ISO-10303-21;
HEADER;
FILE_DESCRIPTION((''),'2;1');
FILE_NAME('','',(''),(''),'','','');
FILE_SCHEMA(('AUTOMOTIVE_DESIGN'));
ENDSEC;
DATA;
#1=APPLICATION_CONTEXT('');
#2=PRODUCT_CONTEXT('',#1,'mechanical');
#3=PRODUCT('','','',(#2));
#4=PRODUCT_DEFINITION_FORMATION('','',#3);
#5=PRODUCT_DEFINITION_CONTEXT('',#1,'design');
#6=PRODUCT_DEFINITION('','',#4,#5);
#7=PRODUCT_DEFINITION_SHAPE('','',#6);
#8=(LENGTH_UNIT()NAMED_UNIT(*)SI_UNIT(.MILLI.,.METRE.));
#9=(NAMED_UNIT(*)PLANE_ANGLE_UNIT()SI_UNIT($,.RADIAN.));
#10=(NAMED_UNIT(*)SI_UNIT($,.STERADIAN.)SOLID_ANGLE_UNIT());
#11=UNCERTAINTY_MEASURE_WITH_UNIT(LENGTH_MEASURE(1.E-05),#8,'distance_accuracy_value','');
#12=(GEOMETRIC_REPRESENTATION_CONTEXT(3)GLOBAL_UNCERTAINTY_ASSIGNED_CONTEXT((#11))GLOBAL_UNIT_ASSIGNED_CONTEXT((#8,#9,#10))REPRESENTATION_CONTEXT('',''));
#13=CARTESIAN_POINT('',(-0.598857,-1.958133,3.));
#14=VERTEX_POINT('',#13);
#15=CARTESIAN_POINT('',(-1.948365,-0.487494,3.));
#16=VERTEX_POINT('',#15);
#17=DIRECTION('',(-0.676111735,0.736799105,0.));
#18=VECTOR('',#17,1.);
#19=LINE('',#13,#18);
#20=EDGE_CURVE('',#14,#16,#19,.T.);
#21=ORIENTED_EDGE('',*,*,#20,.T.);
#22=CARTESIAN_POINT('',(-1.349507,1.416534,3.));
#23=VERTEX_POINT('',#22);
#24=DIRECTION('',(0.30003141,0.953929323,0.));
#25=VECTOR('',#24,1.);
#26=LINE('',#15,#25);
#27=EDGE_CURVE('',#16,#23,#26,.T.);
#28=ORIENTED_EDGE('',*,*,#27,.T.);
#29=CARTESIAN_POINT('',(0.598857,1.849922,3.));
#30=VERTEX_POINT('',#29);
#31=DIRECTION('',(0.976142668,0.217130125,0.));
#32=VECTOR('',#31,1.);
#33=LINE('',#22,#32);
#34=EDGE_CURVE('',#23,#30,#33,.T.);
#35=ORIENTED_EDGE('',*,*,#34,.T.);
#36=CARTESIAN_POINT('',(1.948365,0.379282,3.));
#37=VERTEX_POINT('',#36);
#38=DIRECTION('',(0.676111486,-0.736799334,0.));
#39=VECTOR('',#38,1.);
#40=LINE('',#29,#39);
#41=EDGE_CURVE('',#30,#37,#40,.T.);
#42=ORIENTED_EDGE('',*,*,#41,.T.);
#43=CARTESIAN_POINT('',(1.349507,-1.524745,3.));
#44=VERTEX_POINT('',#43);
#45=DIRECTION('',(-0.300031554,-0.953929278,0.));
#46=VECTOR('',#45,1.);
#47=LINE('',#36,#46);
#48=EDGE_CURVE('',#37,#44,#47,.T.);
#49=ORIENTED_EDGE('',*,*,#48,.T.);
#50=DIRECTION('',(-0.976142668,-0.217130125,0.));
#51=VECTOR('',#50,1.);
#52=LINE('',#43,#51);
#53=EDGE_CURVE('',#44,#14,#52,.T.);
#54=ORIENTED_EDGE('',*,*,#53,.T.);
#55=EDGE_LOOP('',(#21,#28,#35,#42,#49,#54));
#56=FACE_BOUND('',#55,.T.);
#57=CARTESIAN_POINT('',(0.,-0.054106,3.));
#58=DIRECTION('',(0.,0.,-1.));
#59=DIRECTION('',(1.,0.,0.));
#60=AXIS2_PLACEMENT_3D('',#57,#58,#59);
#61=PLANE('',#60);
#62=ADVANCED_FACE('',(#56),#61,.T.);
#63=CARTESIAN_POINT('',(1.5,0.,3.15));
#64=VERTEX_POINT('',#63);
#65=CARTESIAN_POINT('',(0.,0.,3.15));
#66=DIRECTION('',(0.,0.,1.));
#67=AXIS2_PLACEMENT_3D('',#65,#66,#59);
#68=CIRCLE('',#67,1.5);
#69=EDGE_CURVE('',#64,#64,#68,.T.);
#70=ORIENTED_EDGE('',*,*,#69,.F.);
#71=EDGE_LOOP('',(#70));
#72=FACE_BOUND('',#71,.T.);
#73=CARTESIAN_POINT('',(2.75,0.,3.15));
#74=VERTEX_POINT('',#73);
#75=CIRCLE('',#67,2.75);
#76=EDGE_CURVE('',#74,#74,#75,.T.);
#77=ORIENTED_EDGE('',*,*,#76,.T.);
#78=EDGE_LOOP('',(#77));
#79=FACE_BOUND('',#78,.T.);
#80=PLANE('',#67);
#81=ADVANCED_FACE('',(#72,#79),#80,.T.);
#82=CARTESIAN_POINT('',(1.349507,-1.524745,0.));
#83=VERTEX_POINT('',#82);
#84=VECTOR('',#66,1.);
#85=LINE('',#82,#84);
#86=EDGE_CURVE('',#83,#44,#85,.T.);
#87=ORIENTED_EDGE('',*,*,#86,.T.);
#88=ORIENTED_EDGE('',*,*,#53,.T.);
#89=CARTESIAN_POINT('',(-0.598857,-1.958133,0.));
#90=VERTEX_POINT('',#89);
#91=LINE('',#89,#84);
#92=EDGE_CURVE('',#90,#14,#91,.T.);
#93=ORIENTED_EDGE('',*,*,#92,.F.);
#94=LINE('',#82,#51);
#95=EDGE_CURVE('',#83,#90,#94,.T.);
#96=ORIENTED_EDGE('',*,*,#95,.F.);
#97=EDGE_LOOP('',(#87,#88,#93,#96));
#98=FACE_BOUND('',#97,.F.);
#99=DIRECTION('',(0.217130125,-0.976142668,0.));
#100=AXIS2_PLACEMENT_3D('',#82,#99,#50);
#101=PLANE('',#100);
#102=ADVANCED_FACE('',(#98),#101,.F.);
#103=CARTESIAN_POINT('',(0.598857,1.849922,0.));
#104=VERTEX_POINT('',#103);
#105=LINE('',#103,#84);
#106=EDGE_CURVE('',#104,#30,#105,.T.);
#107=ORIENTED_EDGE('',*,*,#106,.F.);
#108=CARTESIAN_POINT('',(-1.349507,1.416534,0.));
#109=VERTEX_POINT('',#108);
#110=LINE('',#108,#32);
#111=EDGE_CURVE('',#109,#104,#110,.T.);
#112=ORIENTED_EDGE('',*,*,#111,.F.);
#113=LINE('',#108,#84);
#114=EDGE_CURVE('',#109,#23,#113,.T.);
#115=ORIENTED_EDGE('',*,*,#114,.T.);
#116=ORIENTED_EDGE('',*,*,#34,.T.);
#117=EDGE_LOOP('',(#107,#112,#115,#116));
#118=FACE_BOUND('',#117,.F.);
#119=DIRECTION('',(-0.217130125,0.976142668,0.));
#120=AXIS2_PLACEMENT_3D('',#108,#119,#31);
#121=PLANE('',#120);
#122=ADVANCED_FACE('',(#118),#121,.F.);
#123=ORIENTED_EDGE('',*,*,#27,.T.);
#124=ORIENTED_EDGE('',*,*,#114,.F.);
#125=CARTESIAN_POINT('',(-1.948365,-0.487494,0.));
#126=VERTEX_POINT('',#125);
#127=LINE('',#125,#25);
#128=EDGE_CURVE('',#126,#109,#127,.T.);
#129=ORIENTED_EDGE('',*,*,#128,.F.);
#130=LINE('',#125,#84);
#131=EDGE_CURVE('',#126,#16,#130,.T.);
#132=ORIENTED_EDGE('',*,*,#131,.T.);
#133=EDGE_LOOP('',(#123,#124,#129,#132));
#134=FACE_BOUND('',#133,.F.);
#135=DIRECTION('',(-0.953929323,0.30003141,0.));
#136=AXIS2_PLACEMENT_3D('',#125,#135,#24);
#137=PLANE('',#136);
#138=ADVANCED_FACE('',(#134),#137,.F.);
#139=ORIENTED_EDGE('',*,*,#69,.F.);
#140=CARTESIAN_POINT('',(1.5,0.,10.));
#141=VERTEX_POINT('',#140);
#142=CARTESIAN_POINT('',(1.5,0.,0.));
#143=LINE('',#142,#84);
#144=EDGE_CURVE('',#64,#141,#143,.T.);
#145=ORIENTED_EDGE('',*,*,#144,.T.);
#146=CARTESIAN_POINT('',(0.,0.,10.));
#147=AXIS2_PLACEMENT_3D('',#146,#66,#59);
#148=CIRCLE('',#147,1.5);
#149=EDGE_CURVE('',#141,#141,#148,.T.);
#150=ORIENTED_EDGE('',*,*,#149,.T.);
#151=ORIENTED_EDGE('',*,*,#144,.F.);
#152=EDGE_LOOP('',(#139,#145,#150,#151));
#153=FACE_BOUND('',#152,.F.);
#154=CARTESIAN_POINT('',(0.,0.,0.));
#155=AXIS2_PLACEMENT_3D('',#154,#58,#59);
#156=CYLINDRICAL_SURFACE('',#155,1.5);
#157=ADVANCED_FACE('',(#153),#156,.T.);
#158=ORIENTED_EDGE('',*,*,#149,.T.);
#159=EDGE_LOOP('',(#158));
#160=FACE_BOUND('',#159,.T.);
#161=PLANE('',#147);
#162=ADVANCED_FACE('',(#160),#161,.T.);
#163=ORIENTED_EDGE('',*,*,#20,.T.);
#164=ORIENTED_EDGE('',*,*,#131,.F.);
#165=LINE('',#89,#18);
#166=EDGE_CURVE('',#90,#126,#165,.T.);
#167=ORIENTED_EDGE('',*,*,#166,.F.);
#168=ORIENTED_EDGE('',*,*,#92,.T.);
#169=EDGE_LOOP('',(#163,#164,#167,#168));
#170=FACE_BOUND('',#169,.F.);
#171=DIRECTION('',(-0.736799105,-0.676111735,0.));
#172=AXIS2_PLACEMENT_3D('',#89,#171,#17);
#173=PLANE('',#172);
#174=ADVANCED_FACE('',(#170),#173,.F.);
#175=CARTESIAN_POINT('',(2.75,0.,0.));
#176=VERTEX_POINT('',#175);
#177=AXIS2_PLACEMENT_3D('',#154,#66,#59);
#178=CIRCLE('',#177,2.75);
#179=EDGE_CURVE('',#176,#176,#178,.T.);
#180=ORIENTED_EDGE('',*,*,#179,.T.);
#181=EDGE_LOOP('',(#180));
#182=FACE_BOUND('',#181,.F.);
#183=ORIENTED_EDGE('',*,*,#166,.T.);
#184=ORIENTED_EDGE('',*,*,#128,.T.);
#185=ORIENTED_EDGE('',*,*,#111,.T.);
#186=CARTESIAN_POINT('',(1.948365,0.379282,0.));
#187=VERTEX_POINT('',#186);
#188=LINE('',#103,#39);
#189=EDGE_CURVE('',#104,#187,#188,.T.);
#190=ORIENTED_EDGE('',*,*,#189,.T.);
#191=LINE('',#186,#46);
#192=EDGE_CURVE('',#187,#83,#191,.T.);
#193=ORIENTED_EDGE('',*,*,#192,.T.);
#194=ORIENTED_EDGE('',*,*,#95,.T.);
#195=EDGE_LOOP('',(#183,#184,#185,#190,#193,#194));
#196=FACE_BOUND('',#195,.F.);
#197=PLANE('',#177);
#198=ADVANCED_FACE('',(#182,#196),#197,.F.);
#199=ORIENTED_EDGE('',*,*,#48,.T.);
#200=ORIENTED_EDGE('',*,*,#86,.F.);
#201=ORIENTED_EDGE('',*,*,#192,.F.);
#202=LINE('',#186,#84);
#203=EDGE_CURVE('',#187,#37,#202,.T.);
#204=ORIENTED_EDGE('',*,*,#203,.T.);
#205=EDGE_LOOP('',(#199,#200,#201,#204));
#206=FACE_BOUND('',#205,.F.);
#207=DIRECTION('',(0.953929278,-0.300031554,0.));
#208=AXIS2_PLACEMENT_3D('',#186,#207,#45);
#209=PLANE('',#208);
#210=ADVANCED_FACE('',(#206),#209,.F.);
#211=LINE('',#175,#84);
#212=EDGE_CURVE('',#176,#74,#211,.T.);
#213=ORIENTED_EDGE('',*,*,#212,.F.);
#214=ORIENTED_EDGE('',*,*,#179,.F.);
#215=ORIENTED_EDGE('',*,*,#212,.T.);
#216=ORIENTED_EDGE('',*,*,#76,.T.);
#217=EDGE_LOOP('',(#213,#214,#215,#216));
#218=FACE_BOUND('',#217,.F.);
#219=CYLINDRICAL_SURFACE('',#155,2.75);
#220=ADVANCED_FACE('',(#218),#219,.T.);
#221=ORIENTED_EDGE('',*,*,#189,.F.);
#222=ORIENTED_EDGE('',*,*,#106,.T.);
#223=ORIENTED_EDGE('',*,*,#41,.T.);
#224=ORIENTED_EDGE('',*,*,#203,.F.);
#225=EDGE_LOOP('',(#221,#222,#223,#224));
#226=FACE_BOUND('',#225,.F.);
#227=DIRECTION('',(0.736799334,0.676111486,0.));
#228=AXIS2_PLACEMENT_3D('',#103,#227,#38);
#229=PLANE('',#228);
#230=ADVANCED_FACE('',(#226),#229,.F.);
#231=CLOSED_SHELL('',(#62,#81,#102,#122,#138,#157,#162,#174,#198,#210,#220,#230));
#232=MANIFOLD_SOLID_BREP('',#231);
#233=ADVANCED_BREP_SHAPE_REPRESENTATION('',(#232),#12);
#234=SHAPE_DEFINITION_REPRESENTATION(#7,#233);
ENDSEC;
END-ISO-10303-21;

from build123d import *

# Parameters (mm, degrees)
F0_R     = 2.75
F0_R_2   = 1.5
F1_DEPTH = 3.15
F2_DEPTH = 10
F4_DEPTH = 3


with BuildPart() as f1:
    # F0 (on Top) → F1 (new body)
    with BuildSketch(Plane.XY):
        Circle(F0_R)
        Circle(F0_R_2, mode=Mode.SUBTRACT)
    extrude(amount=F1_DEPTH)

    # F0 (on Top) → F2 (join)
    with BuildSketch(Plane.XY):
        Circle(F0_R_2)
    extrude(amount=F2_DEPTH)

    # F3 (on face) → F4 (cut)
    with BuildSketch(Plane(origin=(0, 0, 0), x_dir=(1, 0, 0), z_dir=(0, 0, -1))):
        Polygon((1.349507, 1.524745), (-0.598857, 1.958133), (-1.948365, 0.487494), (-1.349507, -1.416534), (0.598857, -1.849922), (1.948365, -0.379282), align=None)
    extrude(amount=-F4_DEPTH, mode=Mode.SUBTRACT)


solid = f1.part
